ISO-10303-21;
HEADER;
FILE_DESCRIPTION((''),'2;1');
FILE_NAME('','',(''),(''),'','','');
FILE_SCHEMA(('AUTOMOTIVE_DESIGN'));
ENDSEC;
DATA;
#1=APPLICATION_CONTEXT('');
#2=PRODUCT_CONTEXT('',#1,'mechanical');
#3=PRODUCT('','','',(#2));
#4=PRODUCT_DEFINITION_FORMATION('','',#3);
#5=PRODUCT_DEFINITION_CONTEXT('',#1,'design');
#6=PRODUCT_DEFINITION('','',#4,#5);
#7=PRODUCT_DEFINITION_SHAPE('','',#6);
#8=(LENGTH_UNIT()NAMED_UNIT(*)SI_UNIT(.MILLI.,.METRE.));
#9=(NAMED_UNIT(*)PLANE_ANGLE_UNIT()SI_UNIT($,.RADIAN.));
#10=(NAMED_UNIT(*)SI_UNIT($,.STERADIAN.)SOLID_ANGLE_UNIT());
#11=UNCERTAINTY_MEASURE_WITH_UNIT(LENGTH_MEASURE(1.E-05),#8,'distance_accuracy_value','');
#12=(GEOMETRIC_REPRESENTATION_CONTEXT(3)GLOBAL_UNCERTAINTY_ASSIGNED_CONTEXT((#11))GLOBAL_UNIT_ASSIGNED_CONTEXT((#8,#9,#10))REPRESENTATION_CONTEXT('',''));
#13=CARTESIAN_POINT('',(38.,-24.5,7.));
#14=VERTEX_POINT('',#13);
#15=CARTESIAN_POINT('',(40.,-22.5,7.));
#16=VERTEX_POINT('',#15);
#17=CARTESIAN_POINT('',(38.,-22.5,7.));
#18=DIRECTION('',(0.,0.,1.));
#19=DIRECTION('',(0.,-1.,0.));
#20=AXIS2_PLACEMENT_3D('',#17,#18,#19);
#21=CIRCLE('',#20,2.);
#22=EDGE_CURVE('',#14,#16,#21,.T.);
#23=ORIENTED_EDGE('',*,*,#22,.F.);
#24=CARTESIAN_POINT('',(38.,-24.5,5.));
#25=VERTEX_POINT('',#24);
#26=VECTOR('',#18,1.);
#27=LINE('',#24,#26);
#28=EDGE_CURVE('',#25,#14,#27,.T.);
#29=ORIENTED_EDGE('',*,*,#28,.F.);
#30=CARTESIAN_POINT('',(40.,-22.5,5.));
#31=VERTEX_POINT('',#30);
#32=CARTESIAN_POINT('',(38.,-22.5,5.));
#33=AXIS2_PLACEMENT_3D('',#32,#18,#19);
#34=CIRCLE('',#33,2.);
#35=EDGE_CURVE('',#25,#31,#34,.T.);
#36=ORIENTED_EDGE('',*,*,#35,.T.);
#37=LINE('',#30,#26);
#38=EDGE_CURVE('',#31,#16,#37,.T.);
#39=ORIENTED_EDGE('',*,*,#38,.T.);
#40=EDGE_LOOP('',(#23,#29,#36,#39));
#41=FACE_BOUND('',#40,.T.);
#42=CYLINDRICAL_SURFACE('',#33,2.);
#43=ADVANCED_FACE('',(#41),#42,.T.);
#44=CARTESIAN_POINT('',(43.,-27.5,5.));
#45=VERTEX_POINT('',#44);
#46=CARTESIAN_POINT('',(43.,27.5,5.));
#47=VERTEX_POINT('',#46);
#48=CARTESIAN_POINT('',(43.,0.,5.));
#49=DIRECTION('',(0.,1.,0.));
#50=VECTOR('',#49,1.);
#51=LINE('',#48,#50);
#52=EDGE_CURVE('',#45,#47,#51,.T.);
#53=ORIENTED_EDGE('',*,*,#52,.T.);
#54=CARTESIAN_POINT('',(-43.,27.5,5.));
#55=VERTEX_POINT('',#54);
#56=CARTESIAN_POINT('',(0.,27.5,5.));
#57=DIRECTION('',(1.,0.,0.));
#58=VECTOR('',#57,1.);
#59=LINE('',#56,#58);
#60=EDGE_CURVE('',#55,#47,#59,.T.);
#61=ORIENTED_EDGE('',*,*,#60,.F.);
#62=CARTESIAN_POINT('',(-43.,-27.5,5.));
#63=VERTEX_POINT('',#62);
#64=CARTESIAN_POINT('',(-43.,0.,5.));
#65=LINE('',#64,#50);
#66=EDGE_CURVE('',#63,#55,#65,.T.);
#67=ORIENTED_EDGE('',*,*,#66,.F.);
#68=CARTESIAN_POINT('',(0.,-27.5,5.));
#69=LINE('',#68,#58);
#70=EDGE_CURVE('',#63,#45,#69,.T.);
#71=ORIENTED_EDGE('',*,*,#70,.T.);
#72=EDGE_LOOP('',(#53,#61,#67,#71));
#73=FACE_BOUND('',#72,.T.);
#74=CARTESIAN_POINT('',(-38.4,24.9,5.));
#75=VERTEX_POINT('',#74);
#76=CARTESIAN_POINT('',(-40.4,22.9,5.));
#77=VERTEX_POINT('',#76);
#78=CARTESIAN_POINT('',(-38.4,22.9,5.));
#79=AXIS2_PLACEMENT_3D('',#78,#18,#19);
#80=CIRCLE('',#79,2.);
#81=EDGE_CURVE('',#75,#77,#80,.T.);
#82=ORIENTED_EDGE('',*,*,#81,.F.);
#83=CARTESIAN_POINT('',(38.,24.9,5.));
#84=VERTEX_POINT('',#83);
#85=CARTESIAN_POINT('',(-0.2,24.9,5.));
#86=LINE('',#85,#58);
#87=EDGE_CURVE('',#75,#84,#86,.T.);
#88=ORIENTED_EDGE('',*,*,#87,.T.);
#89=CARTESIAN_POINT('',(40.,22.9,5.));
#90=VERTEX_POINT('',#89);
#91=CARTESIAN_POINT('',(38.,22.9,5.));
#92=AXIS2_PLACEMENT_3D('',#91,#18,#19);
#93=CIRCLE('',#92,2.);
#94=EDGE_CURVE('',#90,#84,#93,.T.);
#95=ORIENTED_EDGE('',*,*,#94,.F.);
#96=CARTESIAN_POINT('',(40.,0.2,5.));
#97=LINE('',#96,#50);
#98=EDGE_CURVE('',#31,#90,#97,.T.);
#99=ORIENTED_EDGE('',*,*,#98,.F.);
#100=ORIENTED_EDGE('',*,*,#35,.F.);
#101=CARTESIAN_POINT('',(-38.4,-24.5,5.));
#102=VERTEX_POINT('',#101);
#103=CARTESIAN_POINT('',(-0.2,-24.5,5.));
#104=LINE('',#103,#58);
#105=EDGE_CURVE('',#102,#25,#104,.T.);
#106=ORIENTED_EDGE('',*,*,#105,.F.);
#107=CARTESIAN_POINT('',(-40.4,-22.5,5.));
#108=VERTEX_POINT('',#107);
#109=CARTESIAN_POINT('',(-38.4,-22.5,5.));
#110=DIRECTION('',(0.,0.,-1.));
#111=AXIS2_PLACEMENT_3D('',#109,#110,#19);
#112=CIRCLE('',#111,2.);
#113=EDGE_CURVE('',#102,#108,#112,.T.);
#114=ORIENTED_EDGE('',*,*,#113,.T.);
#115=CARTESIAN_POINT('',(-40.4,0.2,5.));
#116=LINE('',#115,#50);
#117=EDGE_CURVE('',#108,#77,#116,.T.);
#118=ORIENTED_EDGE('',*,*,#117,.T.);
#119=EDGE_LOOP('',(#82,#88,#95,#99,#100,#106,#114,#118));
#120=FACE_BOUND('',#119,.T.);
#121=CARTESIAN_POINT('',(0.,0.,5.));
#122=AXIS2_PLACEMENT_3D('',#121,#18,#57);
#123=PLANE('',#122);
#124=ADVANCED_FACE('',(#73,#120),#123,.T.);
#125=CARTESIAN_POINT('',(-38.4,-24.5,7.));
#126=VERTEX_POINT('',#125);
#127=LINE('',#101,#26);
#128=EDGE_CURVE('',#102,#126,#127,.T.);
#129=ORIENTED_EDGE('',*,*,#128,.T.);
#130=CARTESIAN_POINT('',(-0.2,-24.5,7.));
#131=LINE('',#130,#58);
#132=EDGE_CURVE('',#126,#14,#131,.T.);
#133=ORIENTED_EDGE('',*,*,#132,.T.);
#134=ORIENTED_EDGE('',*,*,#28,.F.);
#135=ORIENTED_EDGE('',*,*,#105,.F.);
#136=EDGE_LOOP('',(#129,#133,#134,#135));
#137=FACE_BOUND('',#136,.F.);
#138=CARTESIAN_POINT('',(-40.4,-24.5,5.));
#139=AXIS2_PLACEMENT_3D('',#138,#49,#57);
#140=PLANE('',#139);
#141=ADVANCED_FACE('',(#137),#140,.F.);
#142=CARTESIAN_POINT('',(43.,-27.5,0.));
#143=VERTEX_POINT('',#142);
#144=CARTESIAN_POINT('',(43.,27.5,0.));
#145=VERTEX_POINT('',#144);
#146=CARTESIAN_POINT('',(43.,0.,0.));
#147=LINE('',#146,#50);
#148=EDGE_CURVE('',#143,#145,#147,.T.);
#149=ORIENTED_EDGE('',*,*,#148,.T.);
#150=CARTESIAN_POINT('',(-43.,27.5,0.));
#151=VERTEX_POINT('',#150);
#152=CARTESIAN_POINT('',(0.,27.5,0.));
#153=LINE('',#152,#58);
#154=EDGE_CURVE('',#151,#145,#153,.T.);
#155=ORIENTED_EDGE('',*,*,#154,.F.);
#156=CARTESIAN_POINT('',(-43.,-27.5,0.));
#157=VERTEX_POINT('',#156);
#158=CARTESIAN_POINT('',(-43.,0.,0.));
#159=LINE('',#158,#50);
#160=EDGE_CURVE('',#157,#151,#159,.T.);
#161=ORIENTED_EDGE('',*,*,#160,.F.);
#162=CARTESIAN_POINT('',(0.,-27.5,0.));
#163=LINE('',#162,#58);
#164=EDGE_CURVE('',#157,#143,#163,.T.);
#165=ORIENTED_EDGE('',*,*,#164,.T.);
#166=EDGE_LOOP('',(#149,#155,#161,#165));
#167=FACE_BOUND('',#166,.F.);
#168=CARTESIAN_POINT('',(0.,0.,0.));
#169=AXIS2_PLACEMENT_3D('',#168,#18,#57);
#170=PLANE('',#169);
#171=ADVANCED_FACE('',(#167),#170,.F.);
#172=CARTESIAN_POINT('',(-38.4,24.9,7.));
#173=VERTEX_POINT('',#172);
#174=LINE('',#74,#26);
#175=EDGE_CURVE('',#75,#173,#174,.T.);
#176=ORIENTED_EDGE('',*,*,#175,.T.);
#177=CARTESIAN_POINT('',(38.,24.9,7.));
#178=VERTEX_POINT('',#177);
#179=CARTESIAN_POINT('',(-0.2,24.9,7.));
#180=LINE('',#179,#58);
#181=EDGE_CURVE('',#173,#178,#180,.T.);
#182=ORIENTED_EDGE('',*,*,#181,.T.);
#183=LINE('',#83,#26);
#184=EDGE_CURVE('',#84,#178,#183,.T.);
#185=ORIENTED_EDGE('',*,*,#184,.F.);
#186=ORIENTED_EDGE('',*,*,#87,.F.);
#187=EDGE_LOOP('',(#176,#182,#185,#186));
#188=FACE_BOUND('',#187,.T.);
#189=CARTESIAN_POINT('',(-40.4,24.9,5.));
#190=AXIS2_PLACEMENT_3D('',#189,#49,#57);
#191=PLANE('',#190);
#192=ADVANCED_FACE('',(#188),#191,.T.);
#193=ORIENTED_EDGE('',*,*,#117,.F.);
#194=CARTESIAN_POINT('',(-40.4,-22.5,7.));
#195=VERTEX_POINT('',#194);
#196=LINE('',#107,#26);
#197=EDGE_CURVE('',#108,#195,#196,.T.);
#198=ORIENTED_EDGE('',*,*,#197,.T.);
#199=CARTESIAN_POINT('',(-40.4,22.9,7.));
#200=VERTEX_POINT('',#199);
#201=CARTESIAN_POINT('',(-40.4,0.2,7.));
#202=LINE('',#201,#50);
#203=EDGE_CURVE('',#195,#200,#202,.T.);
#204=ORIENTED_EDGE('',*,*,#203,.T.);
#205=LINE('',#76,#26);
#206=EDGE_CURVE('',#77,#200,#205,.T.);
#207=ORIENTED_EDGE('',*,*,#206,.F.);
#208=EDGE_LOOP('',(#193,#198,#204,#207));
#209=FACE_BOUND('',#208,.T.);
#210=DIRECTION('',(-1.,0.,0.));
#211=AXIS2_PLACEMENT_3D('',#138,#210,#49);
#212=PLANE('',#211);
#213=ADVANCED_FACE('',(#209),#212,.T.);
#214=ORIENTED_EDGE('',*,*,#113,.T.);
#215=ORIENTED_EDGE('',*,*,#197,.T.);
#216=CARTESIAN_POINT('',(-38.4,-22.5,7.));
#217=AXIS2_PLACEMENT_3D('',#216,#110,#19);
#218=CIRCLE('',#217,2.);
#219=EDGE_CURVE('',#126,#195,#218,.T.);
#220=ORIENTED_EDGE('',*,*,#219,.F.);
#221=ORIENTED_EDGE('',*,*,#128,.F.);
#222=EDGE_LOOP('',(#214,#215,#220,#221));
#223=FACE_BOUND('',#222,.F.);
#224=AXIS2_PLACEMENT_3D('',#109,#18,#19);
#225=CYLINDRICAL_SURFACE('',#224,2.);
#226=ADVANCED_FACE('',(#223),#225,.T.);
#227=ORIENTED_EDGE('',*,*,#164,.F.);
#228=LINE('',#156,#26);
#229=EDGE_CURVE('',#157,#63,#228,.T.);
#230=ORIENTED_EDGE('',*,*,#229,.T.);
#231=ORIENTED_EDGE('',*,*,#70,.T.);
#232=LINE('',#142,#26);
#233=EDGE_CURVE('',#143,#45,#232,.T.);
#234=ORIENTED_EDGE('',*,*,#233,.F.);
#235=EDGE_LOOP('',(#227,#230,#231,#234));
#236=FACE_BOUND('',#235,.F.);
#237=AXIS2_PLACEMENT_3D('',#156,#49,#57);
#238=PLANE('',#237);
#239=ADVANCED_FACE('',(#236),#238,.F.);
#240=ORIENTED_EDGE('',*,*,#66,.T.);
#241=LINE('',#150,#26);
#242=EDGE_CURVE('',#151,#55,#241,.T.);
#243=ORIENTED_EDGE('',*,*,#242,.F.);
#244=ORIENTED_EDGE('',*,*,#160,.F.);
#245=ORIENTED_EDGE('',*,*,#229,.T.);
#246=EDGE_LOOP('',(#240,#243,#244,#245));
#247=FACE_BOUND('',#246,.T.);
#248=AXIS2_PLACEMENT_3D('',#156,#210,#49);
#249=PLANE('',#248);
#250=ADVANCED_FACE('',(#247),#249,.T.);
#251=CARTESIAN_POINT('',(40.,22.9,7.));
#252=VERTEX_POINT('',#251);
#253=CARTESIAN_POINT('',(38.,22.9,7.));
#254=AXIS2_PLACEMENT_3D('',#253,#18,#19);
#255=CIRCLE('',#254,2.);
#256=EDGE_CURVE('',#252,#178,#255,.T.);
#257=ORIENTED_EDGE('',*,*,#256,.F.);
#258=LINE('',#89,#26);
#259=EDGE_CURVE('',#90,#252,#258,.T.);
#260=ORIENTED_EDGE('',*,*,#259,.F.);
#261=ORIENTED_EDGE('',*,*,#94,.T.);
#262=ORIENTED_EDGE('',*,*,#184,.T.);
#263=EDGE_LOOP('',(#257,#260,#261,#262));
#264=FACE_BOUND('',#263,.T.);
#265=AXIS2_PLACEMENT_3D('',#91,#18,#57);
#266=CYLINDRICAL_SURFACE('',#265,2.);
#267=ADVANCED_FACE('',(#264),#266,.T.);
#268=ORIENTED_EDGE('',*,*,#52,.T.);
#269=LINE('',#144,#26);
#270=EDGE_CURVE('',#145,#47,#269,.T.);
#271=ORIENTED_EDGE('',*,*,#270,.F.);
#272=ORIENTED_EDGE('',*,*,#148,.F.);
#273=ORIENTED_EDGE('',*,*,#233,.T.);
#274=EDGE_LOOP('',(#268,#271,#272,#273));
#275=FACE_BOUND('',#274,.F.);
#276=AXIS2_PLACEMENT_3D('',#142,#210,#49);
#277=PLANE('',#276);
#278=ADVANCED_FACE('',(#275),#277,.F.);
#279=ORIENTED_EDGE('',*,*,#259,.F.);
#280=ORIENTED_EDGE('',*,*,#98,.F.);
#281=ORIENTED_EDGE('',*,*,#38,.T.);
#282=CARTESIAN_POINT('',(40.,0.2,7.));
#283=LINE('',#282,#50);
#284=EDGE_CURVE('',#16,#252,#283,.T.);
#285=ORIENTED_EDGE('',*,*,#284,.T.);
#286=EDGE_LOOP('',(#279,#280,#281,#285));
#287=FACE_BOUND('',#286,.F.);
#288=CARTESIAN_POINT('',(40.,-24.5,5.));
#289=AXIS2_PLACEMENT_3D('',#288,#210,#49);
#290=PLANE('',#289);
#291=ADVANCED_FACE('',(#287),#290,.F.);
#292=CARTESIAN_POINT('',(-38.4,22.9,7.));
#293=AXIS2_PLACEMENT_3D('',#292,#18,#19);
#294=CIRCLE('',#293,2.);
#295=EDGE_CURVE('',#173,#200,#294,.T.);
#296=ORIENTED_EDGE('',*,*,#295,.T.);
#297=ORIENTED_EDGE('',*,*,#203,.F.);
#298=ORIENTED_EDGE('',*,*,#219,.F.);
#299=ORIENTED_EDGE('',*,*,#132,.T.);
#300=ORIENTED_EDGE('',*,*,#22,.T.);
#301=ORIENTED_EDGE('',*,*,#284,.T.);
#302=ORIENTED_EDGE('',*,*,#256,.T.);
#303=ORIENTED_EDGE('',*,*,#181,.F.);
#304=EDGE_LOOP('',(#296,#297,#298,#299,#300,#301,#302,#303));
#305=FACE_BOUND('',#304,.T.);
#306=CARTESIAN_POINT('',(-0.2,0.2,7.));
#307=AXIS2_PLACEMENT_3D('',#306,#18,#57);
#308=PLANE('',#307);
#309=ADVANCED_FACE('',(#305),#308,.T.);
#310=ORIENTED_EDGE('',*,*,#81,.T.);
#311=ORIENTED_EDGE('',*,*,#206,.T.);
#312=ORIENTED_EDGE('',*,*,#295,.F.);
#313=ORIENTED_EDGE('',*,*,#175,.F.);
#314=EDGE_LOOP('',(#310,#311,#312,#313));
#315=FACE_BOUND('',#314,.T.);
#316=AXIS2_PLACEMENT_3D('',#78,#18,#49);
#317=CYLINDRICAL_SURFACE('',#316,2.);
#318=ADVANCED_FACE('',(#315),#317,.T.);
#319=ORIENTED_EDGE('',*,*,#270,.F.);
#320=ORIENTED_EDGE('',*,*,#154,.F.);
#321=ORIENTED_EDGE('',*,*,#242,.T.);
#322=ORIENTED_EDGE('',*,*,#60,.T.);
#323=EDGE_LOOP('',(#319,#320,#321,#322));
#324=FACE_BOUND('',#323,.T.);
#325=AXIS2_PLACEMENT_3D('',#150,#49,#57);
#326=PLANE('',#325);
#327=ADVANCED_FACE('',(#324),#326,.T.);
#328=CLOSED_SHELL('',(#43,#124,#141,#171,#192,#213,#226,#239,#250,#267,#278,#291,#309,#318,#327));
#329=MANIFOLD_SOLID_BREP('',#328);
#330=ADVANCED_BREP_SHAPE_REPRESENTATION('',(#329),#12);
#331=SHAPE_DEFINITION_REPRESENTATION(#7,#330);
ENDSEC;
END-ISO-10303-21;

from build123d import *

# Parameters (mm, degrees)
F0_W     = 86
F0_H     = 55
F1_DEPTH = 5
F2_W     = 80.4
F2_H     = 49.4
F3_DEPTH = 2
F4_R     = 2


with BuildPart() as f1:
    # F0 (on Top) → F1 (new body)
    with BuildSketch(Plane.XY):
        Rectangle(F0_W, F0_H)
    extrude(amount=F1_DEPTH)

    # F2 (on face) → F3 (join)
    with BuildSketch(Plane.XY.offset(5)):
        with Locations((-0.2, 0.2)):
            Rectangle(F2_W, F2_H)
    extrude(amount=F3_DEPTH)

    # F4
    f4_edges = [f1.edges().sort_by_distance(p)[0] for p in [
        (-40.4, -24.5, 6),
        (-40.4, 24.9, 6),
        (40, -24.5, 6),
        (40, 24.9, 6),
    ]]
    fillet(f4_edges, radius=F4_R)


solid = f1.part
